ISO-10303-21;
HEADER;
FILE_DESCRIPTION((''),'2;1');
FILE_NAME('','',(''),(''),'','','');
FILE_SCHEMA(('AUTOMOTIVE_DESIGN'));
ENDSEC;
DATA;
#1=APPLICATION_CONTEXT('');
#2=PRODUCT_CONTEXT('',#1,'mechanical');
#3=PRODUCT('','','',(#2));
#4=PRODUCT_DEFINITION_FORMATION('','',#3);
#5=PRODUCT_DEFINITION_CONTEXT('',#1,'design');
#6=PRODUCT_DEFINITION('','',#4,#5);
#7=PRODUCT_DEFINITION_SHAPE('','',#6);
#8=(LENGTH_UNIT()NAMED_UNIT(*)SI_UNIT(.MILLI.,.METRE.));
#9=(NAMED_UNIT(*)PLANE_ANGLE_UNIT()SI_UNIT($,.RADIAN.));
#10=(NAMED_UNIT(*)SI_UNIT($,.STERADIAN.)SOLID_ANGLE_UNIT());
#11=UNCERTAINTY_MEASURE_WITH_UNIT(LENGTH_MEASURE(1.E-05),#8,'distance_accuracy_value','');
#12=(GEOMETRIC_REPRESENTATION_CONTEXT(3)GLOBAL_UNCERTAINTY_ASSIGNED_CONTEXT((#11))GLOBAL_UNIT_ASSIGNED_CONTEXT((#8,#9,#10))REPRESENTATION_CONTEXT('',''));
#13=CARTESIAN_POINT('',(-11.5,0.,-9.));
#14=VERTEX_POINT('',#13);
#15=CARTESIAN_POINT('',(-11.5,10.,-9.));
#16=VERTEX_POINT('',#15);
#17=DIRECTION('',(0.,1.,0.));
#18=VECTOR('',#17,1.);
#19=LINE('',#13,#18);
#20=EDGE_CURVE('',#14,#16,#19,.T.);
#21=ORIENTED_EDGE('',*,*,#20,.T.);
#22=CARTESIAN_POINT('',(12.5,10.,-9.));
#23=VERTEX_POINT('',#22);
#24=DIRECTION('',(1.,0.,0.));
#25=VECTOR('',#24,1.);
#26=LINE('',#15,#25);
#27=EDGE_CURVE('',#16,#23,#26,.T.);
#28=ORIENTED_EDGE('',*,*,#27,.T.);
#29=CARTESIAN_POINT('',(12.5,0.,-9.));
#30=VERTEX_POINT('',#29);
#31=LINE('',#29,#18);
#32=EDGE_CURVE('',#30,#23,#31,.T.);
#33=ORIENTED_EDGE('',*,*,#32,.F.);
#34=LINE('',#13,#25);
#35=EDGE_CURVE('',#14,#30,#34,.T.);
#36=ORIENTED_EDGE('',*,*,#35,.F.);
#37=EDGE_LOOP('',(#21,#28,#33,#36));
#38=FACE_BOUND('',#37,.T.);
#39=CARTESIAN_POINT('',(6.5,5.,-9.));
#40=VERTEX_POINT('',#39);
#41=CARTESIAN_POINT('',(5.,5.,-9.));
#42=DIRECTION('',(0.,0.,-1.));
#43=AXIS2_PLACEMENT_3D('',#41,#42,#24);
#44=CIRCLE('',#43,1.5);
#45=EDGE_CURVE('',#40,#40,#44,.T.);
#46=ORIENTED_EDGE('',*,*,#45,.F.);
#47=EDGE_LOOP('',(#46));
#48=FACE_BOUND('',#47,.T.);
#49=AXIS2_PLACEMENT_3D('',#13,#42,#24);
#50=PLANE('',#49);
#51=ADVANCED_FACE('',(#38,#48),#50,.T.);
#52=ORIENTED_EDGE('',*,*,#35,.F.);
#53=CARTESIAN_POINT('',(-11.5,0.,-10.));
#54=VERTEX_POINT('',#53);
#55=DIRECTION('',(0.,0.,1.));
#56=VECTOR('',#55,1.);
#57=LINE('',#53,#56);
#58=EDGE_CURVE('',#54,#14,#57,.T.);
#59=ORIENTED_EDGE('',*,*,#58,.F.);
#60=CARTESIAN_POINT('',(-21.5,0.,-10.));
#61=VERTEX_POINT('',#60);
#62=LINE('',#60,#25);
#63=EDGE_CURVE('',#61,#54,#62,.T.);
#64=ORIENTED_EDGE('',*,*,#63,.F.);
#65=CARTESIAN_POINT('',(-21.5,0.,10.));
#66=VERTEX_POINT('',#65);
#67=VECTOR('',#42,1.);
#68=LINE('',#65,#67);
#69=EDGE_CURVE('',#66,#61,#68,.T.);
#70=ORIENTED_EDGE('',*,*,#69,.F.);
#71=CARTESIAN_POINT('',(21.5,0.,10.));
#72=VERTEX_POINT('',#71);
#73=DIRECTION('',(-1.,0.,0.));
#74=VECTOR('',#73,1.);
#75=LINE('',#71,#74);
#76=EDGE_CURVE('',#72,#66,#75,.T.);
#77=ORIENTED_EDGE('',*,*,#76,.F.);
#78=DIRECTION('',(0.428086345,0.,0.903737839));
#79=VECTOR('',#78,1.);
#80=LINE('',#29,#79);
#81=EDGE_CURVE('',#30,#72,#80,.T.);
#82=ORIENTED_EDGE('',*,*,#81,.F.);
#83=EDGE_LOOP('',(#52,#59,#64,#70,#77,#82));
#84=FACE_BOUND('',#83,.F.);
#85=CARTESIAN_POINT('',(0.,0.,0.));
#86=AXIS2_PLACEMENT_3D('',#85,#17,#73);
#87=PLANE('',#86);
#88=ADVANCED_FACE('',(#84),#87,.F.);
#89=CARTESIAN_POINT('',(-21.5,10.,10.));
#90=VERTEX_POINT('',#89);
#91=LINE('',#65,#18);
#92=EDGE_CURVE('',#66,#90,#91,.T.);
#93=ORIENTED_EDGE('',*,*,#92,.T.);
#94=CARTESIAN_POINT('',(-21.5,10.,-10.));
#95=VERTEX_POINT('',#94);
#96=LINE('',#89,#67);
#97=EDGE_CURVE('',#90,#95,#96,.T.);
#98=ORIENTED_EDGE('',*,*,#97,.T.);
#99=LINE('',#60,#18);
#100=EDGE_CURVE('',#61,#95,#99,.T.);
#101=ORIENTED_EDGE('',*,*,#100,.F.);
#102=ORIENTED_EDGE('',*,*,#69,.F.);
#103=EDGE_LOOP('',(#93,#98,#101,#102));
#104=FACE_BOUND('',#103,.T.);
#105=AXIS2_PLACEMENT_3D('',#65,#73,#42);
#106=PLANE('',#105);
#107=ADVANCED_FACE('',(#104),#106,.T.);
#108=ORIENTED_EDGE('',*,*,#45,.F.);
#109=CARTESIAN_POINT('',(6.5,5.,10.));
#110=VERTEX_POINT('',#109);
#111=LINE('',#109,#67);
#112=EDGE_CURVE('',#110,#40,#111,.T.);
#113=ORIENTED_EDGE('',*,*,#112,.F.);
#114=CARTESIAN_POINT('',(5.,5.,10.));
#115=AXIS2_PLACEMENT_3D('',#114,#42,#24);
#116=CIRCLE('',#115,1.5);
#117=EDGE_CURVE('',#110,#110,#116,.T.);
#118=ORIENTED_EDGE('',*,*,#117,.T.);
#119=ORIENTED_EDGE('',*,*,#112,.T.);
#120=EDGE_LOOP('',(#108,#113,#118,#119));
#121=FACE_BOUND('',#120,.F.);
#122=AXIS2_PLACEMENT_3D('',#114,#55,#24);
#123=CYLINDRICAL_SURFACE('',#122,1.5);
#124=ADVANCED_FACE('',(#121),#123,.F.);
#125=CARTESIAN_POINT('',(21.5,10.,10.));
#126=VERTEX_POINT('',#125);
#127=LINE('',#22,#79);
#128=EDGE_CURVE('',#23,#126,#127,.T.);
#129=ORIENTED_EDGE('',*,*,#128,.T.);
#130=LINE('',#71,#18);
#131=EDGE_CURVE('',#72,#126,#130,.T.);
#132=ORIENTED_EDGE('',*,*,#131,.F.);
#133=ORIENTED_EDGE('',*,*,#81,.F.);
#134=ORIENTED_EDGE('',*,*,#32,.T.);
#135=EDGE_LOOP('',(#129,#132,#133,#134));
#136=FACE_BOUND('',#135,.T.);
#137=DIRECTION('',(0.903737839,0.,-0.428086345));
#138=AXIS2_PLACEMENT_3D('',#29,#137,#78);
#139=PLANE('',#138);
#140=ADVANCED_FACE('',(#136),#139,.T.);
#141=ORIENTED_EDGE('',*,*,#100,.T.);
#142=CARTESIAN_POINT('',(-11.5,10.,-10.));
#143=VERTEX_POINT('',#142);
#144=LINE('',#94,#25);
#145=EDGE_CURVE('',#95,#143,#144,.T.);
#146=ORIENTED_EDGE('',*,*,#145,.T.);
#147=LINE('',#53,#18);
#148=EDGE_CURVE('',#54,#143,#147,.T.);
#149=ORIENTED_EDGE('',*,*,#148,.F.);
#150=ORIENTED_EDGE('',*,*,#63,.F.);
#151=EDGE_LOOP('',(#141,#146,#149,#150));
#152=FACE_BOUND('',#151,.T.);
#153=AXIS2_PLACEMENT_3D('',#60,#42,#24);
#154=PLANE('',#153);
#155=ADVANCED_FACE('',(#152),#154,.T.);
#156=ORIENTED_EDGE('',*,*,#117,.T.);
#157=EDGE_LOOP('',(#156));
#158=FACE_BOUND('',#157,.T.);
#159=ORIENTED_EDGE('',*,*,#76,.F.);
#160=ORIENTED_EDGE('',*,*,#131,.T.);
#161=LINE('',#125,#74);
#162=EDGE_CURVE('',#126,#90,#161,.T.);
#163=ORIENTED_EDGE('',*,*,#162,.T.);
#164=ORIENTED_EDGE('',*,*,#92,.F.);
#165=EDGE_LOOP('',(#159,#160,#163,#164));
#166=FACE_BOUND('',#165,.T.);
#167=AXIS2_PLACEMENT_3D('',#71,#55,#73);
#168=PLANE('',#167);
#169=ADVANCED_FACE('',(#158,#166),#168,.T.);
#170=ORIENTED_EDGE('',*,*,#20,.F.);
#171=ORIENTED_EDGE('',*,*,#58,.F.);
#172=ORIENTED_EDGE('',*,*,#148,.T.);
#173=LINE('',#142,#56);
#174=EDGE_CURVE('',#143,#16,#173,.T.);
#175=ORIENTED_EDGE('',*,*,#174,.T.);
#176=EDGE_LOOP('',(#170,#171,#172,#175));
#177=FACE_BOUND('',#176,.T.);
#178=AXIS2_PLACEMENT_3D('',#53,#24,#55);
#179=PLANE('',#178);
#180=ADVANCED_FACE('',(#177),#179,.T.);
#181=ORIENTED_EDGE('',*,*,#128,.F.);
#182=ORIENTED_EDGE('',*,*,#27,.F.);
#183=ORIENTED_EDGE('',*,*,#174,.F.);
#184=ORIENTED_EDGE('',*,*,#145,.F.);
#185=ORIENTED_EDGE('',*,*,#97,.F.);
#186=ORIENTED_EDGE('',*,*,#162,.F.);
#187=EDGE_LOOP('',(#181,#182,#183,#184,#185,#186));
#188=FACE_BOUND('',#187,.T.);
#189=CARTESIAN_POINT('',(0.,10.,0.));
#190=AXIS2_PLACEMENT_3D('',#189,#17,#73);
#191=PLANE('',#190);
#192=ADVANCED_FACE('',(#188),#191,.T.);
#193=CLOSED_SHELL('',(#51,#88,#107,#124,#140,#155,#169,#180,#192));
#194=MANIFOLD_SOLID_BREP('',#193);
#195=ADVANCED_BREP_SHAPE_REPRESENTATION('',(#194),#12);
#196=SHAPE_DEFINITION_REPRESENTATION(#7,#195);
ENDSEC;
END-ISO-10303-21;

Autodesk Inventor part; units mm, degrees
ref_plane "YZ Plane" through (0, 0, 0) normal (1, 0, 0) x (0, 1, 0)
ref_plane "XZ Plane" through (0, 0, 0) normal (0, 1, 0) x (-1, 0, 0)
ref_plane "XY Plane" through (0, 0, 0) normal (0, 0, 1) x (1, 0, 0)
sketch "Sketch1" plane through (0, 0, 0) normal (0, 1, 0) x (-1, 0, 0)
  line L0 (-21.5, 10) -> (21.5, 10)
  line L1 (21.5, 10) -> (21.5, -10)
  line L2 (21.5, -10) -> (11.5, -10)
  line L3 (11.5, -10) -> (11.5, -9)
  line L4 (11.5, -9) -> (-12.5, -9)
  line L5 (-12.5, -9) -> (-21.5, 10)
  line L6 (21.5, 10) -> (-21.5, 10)
  line L7 (21.5, 10) -> (21.5, -10)
  point P0 (0, 0)
  dimension "d0" = 43
  dimension "d2" = 10
  dimension "d3" = 1
  dimension "d4" = 24
extrude "Extrusion1" add sketch "Sketch1" along normal blind 10
sketch "Sketch2" plane through (-21.5, 0, 10) normal (0, 0, 1) x (1, 0, 0)
  line L0 (0, 0) -> (0, 10) projected
  line L1 (0, 5) -> (26.5, 5)
  circle A0 centre (26.5, 5) radius 1.5
  point P0 (21.5, 0)
  dimension "d7" = 26.5
  dimension "d8" = 3
extrude "Extrusion2" cut sketch "Sketch2" against normal blind 19
properties part number "podpera_rameno"
